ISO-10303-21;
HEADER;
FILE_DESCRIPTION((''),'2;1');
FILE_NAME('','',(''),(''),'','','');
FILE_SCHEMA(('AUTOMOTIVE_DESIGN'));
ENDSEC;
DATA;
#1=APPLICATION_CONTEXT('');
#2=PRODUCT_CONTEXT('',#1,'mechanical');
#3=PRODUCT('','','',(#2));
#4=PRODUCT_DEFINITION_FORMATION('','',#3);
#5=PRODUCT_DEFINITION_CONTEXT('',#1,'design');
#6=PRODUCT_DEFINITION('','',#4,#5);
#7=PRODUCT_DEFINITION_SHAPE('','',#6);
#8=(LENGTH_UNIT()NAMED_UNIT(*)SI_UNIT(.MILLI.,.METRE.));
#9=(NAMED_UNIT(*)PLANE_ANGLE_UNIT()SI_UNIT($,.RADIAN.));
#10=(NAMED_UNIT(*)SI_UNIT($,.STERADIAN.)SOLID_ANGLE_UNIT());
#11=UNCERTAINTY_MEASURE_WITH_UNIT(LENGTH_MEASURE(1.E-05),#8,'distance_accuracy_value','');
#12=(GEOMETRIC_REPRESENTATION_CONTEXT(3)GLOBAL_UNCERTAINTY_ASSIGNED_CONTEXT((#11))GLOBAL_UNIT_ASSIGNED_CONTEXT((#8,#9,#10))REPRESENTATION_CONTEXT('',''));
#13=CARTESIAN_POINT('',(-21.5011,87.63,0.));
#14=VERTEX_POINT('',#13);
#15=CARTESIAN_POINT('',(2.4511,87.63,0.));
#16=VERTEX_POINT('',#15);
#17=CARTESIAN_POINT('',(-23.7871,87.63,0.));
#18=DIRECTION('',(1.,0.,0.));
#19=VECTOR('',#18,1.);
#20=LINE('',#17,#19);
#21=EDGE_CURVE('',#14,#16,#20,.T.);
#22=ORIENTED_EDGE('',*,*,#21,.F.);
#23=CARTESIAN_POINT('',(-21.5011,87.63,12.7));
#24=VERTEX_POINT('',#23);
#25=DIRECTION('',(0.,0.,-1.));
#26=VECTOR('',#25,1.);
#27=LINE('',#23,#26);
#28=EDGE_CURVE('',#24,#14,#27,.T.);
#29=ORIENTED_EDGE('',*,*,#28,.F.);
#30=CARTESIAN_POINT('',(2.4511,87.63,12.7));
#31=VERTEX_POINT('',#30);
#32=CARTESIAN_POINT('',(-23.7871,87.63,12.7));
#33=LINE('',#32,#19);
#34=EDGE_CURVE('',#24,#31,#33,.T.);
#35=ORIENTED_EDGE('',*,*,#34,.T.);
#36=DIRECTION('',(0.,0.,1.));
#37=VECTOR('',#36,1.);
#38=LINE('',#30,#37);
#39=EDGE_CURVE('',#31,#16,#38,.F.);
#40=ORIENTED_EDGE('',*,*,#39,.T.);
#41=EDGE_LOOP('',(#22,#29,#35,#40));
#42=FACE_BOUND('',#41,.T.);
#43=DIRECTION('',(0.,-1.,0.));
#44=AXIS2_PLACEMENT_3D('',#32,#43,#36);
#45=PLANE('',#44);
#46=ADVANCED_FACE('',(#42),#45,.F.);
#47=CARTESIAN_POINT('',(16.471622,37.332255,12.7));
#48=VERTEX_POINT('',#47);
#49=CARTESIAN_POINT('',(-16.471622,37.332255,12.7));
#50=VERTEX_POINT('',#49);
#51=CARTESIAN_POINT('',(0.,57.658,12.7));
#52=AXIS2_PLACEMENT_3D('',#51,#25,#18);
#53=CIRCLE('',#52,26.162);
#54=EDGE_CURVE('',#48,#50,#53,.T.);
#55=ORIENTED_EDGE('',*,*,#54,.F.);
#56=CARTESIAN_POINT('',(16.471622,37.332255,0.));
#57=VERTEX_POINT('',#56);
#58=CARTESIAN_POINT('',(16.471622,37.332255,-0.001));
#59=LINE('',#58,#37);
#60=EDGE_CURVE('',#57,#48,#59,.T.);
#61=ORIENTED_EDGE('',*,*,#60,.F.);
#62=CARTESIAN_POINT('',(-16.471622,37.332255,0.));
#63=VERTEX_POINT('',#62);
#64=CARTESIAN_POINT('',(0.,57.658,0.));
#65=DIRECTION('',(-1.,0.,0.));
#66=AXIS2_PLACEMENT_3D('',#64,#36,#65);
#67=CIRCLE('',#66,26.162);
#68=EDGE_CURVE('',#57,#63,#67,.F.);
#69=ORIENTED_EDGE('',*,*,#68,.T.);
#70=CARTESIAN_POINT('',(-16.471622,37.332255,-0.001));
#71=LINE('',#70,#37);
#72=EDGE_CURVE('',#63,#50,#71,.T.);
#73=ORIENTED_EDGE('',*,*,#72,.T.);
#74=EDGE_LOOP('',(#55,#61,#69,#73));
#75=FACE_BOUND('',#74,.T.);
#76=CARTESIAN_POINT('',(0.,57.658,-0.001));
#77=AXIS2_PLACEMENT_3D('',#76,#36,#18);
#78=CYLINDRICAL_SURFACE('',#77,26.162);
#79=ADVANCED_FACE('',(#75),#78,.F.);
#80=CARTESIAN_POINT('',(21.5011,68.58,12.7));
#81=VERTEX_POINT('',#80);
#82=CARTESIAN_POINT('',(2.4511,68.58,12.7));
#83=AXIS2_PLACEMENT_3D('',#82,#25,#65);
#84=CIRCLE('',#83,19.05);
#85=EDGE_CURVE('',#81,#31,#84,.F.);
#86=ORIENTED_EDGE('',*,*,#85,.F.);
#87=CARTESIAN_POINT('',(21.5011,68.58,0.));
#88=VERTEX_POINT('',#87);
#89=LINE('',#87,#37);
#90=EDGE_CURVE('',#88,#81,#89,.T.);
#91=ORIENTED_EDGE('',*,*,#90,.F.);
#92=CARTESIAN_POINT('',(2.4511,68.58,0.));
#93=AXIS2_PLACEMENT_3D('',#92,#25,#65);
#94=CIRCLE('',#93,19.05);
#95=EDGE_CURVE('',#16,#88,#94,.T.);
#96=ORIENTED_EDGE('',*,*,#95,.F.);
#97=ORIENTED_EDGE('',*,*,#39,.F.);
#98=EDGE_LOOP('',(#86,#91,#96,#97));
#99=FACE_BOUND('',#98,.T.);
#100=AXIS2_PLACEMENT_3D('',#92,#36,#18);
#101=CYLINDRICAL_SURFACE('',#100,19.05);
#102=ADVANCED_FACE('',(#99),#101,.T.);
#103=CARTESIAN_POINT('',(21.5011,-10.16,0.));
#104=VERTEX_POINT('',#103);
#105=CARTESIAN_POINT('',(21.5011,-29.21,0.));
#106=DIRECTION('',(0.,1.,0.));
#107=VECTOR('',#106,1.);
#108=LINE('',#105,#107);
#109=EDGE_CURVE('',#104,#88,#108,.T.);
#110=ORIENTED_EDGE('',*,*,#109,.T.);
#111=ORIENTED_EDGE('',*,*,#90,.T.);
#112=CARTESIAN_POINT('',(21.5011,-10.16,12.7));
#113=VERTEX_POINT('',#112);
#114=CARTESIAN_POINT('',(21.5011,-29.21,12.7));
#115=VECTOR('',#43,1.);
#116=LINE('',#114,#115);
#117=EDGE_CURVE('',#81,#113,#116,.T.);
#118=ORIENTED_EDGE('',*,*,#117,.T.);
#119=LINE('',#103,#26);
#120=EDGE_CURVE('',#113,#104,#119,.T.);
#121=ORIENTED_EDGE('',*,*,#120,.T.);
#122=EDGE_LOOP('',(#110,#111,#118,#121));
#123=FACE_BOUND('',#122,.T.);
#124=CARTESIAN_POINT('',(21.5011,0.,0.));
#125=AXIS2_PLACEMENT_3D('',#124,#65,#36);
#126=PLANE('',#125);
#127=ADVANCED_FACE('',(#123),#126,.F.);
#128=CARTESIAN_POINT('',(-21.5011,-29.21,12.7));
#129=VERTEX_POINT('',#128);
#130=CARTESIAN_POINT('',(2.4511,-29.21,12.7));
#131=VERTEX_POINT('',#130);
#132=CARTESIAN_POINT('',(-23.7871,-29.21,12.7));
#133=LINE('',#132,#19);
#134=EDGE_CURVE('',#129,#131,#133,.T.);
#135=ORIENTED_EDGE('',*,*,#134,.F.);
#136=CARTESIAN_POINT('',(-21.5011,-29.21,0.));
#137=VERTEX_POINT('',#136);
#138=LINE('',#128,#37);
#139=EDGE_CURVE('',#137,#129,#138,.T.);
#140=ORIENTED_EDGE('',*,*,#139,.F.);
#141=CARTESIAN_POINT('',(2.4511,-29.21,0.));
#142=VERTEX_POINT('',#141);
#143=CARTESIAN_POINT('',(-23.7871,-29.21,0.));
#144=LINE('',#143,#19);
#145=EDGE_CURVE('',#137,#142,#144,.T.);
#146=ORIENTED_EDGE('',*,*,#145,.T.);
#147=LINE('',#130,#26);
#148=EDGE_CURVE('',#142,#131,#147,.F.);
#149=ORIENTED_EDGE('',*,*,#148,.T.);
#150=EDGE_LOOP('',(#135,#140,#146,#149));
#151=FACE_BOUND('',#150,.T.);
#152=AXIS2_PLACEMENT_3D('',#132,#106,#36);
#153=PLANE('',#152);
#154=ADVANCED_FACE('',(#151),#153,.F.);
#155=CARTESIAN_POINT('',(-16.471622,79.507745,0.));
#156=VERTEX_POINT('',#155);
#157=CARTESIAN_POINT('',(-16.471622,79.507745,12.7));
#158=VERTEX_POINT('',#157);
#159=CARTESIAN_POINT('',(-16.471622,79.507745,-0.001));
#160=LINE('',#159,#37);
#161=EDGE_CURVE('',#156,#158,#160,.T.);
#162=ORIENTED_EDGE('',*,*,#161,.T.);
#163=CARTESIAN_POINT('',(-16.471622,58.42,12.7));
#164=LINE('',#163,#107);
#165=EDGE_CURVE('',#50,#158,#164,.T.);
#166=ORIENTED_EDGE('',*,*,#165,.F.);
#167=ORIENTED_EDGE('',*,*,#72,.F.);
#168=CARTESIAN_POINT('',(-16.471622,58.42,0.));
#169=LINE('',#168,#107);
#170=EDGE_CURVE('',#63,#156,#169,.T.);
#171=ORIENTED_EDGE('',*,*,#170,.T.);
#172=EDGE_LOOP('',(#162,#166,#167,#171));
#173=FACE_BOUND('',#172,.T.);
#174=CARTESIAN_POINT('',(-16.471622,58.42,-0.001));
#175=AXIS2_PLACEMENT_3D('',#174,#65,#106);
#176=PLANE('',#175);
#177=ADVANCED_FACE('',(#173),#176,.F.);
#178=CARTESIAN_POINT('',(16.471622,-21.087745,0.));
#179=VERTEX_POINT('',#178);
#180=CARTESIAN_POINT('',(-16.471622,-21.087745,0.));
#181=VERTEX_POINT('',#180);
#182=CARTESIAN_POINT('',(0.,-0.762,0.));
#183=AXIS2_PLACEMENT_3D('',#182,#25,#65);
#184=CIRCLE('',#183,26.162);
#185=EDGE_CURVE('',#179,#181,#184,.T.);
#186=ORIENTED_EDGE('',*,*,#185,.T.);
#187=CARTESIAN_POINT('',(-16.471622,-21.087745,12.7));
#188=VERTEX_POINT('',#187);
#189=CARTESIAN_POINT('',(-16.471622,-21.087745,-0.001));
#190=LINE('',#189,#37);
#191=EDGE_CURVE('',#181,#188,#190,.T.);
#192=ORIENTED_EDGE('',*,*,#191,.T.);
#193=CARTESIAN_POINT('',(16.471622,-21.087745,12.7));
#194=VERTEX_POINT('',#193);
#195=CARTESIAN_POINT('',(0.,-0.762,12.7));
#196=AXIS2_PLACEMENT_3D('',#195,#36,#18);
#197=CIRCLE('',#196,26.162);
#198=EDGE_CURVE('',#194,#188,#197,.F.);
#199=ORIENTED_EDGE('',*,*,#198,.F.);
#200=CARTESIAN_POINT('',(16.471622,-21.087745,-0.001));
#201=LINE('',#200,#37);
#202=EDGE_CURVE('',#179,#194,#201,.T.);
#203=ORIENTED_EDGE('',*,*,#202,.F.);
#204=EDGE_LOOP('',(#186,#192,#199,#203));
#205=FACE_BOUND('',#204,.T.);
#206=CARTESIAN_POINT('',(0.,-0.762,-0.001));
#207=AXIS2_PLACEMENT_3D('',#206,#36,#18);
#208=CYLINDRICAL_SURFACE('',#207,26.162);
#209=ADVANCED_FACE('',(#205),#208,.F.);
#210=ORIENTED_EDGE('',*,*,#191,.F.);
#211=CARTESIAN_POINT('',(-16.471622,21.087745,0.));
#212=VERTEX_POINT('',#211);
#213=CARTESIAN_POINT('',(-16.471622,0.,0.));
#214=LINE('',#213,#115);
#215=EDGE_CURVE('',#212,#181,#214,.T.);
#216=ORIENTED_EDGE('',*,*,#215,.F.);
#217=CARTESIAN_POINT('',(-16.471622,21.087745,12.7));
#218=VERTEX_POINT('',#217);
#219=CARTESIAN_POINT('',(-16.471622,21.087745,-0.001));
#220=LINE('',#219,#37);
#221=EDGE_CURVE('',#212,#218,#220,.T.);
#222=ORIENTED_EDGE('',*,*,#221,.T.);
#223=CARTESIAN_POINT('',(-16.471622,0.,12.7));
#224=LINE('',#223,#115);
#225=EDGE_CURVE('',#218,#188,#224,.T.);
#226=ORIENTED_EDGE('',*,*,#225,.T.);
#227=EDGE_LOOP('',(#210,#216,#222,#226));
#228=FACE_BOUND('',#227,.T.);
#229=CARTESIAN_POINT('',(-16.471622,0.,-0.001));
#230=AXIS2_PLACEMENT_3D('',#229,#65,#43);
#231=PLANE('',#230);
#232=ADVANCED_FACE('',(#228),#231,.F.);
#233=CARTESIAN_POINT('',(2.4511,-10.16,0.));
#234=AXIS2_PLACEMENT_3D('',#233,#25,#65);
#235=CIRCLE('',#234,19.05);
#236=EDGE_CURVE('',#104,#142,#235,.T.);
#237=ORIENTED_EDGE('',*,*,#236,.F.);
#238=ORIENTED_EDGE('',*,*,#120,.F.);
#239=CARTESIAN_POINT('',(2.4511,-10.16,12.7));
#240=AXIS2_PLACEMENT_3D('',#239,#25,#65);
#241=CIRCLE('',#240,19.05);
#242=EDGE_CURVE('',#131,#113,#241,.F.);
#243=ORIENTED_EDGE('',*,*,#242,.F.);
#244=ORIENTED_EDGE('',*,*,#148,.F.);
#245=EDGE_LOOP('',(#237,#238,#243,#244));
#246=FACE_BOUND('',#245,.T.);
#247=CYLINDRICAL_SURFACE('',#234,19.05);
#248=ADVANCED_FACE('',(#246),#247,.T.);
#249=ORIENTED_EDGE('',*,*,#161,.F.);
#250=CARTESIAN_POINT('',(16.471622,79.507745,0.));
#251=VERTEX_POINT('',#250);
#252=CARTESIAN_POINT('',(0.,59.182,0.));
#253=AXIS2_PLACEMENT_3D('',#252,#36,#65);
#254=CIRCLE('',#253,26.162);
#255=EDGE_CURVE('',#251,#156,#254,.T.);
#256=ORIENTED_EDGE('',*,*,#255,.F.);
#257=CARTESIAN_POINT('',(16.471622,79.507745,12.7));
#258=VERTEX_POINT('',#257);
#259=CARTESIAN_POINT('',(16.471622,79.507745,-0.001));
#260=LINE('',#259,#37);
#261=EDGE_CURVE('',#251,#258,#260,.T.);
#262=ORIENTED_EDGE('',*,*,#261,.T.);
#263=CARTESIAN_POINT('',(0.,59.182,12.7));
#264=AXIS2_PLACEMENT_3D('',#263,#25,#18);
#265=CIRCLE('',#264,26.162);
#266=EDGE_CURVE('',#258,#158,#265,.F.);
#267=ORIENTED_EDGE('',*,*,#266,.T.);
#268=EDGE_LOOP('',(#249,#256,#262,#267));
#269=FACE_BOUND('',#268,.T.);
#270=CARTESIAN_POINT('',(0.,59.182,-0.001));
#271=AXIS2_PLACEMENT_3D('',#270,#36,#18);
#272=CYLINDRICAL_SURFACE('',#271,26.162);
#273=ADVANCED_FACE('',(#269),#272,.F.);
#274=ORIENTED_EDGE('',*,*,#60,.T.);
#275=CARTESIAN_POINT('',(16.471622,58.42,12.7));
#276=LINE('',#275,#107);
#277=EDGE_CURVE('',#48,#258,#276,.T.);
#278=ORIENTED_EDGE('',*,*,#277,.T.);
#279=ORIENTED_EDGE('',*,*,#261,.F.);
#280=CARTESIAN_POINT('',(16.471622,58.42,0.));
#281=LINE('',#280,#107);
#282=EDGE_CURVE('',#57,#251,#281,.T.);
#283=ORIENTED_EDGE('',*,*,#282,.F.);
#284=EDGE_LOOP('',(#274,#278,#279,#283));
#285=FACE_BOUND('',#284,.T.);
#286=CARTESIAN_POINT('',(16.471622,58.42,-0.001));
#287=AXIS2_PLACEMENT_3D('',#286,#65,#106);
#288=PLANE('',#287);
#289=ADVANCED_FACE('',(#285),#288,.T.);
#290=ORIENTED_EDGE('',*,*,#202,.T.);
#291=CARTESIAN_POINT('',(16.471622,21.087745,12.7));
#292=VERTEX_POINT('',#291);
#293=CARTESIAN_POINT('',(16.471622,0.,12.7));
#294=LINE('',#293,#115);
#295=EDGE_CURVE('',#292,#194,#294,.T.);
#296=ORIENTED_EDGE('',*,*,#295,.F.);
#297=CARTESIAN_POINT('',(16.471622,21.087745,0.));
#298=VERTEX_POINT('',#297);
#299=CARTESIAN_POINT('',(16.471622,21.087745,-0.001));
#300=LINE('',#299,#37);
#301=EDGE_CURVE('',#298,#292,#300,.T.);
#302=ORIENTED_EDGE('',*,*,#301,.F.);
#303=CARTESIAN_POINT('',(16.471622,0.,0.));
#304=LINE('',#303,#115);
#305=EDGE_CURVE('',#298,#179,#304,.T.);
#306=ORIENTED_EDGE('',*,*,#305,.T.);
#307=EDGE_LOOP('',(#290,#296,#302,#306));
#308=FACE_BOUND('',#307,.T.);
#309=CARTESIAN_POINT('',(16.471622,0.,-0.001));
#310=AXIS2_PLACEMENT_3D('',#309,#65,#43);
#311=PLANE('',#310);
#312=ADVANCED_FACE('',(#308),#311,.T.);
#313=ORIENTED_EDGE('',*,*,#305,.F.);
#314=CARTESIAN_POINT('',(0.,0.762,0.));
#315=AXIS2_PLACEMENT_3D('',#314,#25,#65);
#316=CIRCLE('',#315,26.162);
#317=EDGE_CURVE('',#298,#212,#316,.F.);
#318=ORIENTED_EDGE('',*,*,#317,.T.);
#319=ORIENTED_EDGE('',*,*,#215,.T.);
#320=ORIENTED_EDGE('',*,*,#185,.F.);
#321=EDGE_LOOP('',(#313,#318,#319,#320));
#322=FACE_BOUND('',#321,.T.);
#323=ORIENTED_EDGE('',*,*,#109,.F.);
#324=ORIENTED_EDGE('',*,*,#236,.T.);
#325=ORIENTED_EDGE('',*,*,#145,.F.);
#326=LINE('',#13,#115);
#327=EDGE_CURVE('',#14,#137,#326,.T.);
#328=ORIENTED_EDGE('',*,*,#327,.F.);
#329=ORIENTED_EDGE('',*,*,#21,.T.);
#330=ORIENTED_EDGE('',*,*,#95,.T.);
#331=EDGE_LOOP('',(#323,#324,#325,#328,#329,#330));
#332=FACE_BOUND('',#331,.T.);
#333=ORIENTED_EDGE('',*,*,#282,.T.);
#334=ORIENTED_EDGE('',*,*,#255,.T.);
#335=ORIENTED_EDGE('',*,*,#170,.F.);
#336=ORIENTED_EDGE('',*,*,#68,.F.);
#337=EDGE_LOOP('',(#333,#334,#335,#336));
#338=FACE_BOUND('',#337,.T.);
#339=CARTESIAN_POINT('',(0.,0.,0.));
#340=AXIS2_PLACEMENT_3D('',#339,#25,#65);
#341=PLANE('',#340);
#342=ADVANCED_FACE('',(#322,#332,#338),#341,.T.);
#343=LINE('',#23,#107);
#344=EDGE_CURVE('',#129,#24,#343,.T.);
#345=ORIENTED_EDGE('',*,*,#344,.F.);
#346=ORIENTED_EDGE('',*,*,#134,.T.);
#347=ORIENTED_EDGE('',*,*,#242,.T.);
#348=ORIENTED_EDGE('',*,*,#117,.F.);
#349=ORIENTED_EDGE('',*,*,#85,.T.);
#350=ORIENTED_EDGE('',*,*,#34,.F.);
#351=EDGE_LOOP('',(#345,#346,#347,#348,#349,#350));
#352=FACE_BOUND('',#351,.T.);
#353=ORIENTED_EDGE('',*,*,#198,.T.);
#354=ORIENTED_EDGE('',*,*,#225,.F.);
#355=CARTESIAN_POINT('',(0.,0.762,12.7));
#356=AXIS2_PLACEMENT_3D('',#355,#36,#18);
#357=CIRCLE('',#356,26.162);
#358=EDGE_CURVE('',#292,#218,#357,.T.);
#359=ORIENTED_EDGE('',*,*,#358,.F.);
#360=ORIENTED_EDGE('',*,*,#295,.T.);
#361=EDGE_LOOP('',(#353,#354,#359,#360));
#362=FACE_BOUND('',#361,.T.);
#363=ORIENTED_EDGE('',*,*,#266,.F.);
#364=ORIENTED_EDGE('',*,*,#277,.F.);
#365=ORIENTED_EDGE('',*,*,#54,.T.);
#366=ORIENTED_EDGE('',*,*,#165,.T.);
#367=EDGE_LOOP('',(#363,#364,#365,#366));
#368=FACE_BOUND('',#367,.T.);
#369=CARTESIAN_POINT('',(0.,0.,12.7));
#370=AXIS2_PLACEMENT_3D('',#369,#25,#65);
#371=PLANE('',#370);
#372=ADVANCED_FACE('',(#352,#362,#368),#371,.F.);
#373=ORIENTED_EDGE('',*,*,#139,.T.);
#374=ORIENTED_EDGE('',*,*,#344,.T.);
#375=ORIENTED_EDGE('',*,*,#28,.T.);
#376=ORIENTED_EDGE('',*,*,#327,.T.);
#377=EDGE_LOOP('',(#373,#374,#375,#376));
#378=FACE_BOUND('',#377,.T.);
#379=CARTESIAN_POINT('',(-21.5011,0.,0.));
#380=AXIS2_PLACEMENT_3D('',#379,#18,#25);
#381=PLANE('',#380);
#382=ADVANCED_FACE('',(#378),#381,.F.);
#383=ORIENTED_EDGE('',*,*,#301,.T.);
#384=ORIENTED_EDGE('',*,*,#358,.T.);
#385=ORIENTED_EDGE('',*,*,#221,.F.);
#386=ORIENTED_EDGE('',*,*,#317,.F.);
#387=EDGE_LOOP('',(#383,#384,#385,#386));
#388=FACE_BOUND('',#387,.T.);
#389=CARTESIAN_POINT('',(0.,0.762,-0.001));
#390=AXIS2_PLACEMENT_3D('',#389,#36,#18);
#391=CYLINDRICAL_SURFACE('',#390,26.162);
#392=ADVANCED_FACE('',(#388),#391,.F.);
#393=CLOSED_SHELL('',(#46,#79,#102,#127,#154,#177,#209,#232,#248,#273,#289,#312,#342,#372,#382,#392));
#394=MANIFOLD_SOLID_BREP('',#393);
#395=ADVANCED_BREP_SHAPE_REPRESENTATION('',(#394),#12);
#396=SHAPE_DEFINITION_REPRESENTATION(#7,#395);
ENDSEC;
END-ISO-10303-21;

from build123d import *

# Parameters (mm, degrees)
SKETCH1_W           = 47.5742
SKETCH1_H           = 58.42
BOSS_EXTRUDE1_DEPTH = 12.7
CUT_EXTRUDE1_REACH  = 41.753
SKETCH4_W           = 12.7
SKETCH4_H           = 116.84
CUT_EXTRUDE2_DEPTH  = 2.286
SKETCH5_W           = 12.7
SKETCH5_H           = 116.84
CUT_EXTRUDE3_DEPTH  = 2.286
FILLET1_R           = 19.05


with BuildPart() as part:
    # Sketch1 → Boss-Extrude1 (new body)
    with BuildSketch(Plane.XY):
        Rectangle(SKETCH1_W, SKETCH1_H)
    extrude(amount=BOSS_EXTRUDE1_DEPTH)

    # Sketch3 → Cut-Extrude1 (cut, up to next)
    with BuildSketch(Plane.XY.offset(12.7), mode=Mode.PRIVATE) as cut_extrude1_sk1:
        with BuildLine():
            ThreePointArc((-16.471621861, -21.087745183), (-8.737508184, -25.421809301), (0, -26.924))
            Line((0, -26.924), (0, 0))
            Line((0, 0), (0, 26.924))
            ThreePointArc((0, 26.924), (-8.737508184, 25.421809301), (-16.471621861, 21.087745183))
            Line((-16.471621861, 21.087745183), (-16.471621861, -21.087745183))
        make_face()
    cut_extrude1_tool1 = extrude(cut_extrude1_sk1.sketch, amount=-CUT_EXTRUDE1_REACH, mode=Mode.PRIVATE) & part.part
    # Sketch3 → Cut-Extrude1 (cut, up to next)
    with BuildSketch(Plane.XY.offset(12.7), mode=Mode.PRIVATE) as cut_extrude1_sk2:
        with BuildLine():
            Line((0, 0), (0, -26.924))
            ThreePointArc((0, -26.924), (8.737508184, -25.421809301), (16.471621861, -21.087745183))
            Line((16.471621861, -21.087745183), (16.471621861, 21.087745183))
            ThreePointArc((16.471621861, 21.087745183), (8.737508184, 25.421809301), (0, 26.924))
            Line((0, 26.924), (0, 0))
        make_face()
    cut_extrude1_tool2 = extrude(cut_extrude1_sk2.sketch, amount=-CUT_EXTRUDE1_REACH, mode=Mode.PRIVATE) & part.part
    add(cut_extrude1_tool1.solids().sort_by_distance((-7.924897, 0, 12.7))[0], mode=Mode.SUBTRACT)
    add(cut_extrude1_tool2.solids().sort_by_distance((7.924897, 0, 12.7))[0], mode=Mode.SUBTRACT)

    # Mirror1: part across plane


with BuildPart() as part_1:
    add(part.part)
    add(part.part.mirror(Plane(origin=(-23.7871, 29.21, 12.7), x_dir=(0, 0, 1), z_dir=(0, -1, 0))))

    # Sketch4 → Cut-Extrude2 (cut)
    with BuildSketch(Plane(origin=(23.7871, 0, 0), x_dir=(0, 0, -1), z_dir=(1, 0, 0))):
        with Locations((-6.35, 29.21)):
            Rectangle(SKETCH4_W, SKETCH4_H)
    extrude(amount=-CUT_EXTRUDE2_DEPTH, mode=Mode.SUBTRACT)

    # Sketch5 → Cut-Extrude3 (cut)
    with BuildSketch(Plane.ZY.offset(23.7871)):
        with Locations((6.35, 29.21)):
            Rectangle(SKETCH5_W, SKETCH5_H)
    extrude(amount=-CUT_EXTRUDE3_DEPTH, mode=Mode.SUBTRACT)

    # Fillet1
    fillet1_edges = [part_1.edges().sort_by_distance(p)[0] for p in [
        (21.5011, 87.63, 6.35),
        (21.5011, -29.21, 6.35),
    ]]
    fillet(fillet1_edges, radius=FILLET1_R)


solid = part_1.part
